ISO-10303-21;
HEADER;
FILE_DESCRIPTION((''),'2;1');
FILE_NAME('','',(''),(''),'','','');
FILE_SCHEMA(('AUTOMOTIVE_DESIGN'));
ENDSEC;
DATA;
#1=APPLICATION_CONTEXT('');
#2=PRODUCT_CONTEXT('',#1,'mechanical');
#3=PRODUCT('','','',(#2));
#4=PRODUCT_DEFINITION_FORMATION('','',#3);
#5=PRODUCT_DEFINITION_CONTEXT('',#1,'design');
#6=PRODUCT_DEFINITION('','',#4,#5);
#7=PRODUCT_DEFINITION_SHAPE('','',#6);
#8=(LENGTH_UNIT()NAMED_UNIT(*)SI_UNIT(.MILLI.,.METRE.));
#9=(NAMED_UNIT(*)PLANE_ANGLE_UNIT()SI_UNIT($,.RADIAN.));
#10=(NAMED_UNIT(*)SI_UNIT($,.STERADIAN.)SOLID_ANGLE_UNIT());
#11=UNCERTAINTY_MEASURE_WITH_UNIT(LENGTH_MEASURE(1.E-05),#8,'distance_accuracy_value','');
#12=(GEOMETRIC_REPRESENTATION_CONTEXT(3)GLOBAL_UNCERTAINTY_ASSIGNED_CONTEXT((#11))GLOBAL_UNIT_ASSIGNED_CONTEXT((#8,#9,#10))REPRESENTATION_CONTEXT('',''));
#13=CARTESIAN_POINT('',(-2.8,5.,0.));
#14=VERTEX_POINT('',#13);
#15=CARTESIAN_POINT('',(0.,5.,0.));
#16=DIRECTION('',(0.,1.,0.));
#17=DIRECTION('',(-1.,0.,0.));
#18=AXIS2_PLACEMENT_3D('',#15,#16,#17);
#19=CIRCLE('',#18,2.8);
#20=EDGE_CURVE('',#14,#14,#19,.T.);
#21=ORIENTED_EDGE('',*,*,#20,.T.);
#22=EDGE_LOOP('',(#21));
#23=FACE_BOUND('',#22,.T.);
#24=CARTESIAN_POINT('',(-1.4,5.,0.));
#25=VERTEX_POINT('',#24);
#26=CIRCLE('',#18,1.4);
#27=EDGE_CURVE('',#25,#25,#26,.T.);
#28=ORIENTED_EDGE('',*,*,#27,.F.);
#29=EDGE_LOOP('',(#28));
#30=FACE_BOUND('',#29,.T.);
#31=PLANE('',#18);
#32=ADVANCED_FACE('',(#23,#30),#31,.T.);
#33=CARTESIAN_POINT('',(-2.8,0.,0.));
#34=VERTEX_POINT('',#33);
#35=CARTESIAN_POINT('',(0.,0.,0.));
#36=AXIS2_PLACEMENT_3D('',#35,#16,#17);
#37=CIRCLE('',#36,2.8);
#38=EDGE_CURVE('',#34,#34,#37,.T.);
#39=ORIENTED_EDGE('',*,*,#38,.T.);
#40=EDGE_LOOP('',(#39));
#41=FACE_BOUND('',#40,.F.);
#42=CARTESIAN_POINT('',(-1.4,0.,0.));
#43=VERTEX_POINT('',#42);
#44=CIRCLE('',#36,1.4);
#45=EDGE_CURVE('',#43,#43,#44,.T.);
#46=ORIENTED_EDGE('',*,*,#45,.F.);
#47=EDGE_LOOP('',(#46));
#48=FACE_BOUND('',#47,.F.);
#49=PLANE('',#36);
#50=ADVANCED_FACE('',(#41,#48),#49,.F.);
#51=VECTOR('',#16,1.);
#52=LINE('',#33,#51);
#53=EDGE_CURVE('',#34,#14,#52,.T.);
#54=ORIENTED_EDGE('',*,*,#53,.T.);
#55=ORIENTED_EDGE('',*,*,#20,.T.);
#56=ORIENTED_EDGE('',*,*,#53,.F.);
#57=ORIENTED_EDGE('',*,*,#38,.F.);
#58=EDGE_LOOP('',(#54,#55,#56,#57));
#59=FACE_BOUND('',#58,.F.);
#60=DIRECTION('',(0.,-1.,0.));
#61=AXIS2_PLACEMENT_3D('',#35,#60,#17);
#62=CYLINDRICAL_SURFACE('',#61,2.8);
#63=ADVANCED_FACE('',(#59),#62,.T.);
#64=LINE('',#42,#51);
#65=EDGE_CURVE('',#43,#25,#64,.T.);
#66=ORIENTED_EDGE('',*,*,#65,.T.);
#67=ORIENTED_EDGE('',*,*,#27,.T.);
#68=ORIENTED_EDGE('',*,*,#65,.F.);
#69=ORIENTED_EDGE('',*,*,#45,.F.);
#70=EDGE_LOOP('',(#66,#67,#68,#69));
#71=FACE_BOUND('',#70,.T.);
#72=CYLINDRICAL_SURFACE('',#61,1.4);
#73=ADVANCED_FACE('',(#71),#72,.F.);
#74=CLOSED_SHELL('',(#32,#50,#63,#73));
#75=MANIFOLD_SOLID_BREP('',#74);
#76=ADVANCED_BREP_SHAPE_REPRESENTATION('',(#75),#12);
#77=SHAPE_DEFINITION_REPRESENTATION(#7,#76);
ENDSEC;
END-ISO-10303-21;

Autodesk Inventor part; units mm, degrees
ref_plane "YZ Plane" through (0, 0, 0) normal (1, 0, 0) x (0, 1, 0)
ref_plane "XZ Plane" through (0, 0, 0) normal (0, 1, 0) x (-1, 0, 0)
ref_plane "XY Plane" through (0, 0, 0) normal (0, 0, 1) x (1, 0, 0)
sketch "Sketch1" plane through (0, 0, 0) normal (0, 1, 0) x (-1, 0, 0)
  circle A0 centre (0, 0) radius 2.8
  circle A1 centre (0, 0) radius 1.4
  dimension "d0" = 5.6
  dimension "d1" = 2.8
extrude "Extrusion1" add sketch "Sketch1" along normal blind 5
properties part number "Small Spacer Part"
